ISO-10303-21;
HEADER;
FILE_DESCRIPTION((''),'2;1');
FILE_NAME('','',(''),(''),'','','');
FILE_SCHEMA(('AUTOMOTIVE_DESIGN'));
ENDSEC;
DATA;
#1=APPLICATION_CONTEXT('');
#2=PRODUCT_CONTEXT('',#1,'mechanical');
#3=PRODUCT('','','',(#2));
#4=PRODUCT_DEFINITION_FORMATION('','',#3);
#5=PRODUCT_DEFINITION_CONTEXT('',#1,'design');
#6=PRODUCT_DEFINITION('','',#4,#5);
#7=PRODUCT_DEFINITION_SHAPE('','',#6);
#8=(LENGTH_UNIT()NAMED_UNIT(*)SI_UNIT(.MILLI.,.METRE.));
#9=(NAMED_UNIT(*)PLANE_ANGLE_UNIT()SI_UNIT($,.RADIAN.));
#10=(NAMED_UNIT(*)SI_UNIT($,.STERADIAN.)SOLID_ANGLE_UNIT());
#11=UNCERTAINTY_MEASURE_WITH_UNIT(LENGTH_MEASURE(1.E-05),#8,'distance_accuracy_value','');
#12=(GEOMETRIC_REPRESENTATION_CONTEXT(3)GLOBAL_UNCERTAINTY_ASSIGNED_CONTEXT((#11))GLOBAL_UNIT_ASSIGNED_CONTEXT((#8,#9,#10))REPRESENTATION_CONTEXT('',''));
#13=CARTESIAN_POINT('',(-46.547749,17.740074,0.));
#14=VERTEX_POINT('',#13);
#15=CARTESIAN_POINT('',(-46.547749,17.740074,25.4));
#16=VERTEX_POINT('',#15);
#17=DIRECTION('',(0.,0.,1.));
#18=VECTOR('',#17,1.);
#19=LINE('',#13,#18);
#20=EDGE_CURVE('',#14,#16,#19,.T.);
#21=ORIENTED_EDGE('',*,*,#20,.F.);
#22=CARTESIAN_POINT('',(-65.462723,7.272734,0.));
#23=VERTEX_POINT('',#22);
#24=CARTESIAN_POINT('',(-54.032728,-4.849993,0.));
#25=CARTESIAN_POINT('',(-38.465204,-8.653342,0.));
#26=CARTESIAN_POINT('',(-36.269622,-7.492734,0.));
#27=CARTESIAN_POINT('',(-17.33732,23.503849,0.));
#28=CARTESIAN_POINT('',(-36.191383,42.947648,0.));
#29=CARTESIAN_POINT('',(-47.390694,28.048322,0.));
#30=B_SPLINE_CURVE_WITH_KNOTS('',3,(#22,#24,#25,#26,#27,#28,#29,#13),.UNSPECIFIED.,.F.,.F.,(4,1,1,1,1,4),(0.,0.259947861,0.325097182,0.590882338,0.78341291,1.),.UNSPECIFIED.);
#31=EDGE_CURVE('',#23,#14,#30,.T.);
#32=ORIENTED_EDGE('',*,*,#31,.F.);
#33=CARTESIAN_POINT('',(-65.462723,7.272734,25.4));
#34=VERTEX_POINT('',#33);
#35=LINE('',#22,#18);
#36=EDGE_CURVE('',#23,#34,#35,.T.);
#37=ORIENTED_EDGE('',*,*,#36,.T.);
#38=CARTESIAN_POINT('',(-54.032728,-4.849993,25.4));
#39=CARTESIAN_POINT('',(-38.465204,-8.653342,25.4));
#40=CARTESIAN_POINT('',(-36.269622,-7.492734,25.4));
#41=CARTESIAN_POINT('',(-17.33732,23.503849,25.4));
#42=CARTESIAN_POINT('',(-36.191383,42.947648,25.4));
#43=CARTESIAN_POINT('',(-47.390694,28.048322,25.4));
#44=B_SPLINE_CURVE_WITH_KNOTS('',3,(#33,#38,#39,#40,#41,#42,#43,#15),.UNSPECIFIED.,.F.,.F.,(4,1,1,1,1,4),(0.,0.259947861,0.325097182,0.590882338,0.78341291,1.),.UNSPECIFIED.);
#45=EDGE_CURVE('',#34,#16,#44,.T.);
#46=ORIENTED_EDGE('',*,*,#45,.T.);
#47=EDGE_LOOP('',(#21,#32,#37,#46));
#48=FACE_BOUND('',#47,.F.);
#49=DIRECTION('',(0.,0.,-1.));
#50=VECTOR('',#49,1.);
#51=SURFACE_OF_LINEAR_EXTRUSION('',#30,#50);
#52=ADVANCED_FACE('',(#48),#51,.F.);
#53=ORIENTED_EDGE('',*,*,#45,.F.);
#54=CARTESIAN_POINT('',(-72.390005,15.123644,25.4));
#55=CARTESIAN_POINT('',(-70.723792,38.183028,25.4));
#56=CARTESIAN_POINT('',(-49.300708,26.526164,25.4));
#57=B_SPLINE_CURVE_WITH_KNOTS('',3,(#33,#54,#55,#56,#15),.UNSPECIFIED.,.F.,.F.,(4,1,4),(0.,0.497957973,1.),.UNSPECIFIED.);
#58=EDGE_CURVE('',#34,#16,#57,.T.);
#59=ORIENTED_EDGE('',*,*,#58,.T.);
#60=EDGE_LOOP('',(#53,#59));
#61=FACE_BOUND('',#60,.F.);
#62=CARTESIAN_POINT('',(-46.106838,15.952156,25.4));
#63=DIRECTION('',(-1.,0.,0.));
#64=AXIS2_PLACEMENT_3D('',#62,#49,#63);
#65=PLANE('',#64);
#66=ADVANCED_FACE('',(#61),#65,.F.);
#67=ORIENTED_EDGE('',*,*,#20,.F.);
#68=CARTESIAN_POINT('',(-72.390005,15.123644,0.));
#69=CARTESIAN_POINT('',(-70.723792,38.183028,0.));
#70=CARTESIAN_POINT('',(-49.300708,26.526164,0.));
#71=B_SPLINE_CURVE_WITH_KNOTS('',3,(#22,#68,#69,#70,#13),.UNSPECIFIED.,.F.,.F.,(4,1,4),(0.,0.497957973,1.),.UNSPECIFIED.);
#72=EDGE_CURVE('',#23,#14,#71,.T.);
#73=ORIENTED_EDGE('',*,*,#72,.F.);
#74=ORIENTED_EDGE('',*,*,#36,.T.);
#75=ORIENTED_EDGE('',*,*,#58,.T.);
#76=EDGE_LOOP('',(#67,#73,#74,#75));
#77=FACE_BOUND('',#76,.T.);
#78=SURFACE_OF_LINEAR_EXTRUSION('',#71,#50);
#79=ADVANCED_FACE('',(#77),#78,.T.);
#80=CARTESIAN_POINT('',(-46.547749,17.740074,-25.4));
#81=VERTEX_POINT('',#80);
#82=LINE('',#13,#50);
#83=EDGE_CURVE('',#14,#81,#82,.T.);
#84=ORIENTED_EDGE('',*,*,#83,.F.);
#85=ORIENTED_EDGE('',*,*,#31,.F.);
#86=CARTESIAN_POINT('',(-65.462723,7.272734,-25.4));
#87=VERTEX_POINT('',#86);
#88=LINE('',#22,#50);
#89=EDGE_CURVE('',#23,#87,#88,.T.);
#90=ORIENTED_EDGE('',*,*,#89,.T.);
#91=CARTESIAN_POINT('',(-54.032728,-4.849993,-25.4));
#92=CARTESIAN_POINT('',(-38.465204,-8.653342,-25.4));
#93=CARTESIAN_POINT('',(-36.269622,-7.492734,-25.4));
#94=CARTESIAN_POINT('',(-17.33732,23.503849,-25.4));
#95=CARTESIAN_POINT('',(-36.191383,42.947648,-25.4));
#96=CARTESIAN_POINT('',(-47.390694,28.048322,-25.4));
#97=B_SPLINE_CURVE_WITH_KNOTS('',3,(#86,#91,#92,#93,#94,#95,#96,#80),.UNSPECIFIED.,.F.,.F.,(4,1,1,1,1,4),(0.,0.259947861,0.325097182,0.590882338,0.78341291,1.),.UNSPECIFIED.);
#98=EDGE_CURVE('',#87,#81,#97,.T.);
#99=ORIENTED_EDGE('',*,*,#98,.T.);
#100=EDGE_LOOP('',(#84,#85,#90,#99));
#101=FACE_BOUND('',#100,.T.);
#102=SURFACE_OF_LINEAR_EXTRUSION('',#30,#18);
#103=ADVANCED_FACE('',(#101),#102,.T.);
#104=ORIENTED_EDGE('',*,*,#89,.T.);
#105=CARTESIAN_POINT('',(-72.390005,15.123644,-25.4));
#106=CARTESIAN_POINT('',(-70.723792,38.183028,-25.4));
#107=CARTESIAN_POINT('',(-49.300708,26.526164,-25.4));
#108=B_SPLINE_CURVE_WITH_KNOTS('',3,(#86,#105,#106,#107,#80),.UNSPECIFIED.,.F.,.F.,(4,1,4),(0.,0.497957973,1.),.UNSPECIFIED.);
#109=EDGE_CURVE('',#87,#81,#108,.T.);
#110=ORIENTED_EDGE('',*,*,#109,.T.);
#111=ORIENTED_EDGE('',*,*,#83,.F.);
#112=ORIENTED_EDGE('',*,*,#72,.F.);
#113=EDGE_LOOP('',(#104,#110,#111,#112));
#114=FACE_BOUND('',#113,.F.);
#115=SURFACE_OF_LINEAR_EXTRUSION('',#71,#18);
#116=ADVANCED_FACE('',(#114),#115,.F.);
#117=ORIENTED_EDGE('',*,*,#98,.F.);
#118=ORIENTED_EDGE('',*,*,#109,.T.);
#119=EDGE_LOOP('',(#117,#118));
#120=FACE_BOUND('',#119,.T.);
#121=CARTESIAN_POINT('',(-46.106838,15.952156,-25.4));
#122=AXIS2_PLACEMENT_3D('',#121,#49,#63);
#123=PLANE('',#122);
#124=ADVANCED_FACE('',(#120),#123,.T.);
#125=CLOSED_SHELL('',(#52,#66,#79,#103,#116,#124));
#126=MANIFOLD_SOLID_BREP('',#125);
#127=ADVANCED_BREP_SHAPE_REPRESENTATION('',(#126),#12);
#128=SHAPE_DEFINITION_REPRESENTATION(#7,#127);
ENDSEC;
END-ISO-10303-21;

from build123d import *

# Parameters (mm, degrees)
F1_DEPTH = 25.4


with BuildPart() as f1:
    # F0 (on Top) → F1 (new body, symmetric)
    with BuildSketch(Plane.XY):
        with BuildLine():
            add(Edge.make_bspline(
                [(-65.4627233744, 7.2727343068), (-72.3900049925, 15.1236439124), (-70.7237921771, 38.1830284647), (-49.3007079686, 26.5261640003), (-46.5477491757, 17.7400743151)],
                knots=[0, 0, 0, 0, 0.4979579732, 1, 1, 1, 1], degree=3))
            add(Edge.make_bspline(
                [(-65.4627233744, 7.2727343068), (-54.032728076, -4.8499926925), (-38.4652041871, -8.6533419842), (-36.2696221813, -7.4927339107), (-17.3373202952, 23.5038485832), (-36.1913831015, 42.947648194), (-47.3906944447, 28.0483217517), (-46.5477491757, 17.7400743151)],
                knots=[0, 0, 0, 0, 0.2599478609, 0.3250971823, 0.5908823376, 0.7834129105, 1, 1, 1, 1], degree=3))
        make_face()
    extrude(amount=F1_DEPTH, both=True)


solid = f1.part
